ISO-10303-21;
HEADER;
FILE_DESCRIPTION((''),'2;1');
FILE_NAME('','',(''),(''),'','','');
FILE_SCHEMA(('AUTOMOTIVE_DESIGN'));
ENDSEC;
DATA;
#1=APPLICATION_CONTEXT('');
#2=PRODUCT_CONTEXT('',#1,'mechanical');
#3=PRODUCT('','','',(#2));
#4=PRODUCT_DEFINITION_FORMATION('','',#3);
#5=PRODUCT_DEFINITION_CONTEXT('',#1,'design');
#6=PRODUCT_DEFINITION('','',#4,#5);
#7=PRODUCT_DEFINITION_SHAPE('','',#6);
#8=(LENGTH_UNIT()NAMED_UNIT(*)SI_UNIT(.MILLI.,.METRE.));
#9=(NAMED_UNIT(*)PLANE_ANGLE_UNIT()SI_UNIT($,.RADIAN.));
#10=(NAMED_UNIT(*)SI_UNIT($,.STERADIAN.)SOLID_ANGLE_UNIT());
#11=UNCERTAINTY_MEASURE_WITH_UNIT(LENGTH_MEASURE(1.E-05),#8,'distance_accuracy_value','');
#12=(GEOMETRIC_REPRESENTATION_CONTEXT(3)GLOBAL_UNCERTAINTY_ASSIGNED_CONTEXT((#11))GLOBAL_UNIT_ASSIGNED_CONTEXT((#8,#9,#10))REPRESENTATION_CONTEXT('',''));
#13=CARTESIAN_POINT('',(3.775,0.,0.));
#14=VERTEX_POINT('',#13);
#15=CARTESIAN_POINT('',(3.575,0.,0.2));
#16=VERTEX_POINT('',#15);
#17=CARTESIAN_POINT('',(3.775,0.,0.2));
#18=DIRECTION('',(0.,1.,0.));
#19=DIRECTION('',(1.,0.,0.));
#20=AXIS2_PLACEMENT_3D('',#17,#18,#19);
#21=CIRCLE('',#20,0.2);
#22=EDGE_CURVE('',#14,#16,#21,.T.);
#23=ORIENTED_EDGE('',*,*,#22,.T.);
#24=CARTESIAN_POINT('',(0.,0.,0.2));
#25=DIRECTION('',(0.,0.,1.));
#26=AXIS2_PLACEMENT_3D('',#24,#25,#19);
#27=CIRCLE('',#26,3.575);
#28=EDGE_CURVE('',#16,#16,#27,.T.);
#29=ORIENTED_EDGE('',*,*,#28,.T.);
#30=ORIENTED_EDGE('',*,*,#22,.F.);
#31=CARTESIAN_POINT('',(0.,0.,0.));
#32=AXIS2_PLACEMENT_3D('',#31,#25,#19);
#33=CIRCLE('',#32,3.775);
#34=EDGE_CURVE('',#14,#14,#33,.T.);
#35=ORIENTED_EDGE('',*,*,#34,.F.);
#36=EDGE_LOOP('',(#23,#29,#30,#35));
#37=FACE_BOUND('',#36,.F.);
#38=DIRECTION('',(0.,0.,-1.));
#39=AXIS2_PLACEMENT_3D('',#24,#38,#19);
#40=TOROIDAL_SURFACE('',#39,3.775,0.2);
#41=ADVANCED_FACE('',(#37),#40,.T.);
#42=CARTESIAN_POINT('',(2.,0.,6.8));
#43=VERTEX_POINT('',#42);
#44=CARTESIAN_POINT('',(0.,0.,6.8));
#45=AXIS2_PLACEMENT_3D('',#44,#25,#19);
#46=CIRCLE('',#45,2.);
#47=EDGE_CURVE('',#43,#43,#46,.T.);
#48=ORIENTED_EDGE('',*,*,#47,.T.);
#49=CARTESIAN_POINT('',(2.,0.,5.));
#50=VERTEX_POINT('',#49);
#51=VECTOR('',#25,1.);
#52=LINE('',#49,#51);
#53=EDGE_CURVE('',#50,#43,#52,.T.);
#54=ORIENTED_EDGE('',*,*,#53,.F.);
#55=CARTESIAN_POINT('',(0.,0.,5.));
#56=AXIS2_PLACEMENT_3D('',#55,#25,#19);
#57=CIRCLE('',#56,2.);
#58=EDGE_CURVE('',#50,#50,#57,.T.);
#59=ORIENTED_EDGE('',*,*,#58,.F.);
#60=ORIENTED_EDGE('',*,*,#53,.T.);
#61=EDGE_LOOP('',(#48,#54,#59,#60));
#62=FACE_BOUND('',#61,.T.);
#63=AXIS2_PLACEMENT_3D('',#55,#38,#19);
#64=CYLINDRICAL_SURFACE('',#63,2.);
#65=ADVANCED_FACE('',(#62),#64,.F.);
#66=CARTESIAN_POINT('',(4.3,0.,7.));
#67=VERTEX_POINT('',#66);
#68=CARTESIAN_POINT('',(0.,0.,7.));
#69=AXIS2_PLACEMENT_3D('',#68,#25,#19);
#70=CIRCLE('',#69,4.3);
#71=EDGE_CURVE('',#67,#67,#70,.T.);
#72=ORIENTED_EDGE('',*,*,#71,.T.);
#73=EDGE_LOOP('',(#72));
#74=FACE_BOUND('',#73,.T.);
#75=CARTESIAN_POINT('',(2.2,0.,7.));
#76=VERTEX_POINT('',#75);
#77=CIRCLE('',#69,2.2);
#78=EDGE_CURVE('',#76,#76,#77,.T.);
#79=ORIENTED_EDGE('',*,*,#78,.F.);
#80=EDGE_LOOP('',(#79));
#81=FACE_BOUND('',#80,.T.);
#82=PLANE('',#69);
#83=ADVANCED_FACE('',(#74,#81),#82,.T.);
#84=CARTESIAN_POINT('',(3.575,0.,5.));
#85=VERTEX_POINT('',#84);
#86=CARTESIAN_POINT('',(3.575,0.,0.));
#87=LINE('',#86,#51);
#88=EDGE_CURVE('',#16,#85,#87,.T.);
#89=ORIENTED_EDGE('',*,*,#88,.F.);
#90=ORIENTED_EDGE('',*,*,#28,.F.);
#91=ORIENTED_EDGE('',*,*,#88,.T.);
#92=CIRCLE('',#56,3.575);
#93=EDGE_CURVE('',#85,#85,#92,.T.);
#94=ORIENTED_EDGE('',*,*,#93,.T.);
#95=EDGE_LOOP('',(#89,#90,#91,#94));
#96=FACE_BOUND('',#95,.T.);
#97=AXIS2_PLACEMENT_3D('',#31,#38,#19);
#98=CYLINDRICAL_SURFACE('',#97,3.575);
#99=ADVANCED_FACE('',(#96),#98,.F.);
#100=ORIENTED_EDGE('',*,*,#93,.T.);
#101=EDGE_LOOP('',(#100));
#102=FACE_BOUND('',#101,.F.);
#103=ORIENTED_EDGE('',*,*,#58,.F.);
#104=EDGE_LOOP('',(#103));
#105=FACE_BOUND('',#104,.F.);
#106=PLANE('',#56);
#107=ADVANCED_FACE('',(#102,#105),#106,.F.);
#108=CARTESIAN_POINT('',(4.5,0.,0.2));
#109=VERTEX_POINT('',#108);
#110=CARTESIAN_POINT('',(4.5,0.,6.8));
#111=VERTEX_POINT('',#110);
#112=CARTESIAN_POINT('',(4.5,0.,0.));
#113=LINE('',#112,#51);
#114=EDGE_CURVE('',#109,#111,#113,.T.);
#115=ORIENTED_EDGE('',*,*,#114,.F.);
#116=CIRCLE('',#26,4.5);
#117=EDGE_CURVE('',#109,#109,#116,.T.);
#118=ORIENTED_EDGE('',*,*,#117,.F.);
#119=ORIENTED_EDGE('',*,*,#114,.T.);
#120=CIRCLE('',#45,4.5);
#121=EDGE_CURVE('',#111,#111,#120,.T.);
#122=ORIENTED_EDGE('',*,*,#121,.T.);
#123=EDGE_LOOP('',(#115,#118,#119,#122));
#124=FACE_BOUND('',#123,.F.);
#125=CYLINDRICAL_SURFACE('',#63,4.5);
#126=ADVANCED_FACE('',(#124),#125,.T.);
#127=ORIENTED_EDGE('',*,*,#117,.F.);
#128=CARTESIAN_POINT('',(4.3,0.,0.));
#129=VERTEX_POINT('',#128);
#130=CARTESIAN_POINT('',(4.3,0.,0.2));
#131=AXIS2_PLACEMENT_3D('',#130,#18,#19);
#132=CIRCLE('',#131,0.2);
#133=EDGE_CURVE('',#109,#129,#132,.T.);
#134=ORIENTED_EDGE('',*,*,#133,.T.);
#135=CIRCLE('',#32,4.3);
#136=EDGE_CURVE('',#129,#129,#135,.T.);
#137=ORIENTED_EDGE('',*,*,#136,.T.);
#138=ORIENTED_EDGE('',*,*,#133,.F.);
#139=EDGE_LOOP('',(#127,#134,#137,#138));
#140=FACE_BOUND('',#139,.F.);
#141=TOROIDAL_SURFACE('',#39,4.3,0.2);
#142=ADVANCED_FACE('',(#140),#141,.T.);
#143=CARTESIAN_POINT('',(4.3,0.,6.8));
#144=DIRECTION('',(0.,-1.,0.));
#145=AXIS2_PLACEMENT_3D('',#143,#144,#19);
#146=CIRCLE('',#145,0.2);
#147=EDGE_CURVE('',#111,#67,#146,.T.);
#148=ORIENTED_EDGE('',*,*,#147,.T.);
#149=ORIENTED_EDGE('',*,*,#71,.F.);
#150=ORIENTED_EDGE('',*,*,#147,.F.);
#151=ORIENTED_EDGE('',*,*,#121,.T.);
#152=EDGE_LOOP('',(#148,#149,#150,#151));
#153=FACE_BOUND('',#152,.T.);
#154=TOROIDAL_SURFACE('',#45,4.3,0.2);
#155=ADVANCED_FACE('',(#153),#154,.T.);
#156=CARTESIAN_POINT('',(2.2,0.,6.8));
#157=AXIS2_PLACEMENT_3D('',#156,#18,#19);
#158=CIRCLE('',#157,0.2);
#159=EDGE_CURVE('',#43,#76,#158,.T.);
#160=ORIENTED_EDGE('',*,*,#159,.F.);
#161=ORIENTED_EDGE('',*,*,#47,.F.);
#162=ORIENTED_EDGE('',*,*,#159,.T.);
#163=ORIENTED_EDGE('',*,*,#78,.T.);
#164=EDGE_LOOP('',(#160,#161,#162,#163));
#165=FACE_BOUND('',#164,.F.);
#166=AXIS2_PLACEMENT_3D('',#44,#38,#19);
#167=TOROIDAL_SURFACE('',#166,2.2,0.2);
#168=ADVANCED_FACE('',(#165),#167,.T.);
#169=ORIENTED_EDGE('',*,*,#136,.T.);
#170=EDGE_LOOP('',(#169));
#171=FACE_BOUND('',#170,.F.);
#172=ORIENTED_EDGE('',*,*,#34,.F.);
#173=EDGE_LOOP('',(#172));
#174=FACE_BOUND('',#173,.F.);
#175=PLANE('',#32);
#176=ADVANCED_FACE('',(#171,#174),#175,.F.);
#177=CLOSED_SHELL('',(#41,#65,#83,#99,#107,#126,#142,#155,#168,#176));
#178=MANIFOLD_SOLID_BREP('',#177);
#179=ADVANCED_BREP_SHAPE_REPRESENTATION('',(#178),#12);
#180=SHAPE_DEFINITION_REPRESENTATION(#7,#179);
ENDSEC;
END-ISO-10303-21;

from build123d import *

# Parameters (mm, degrees)
F0_R     = 4.5
F0_R_2   = 3.575
F1_DEPTH = 5
F4_R     = 4.5
F4_R_2   = 2
F5_DEPTH = 2
F6_R     = 0.2


with BuildPart() as f1:
    # F0 (on Top) → F1 (new body)
    with BuildSketch(Plane.XY):
        Circle(F0_R)
        Circle(F0_R_2, mode=Mode.SUBTRACT)
    extrude(amount=F1_DEPTH)

    # F2 (on Front) → F3 (revolve, cut)
    with BuildSketch(Plane.XZ):
        with BuildLine():
            Line((0, 12), (0, 22))
            ThreePointArc((0, 22), (-5, 17), (0, 12))
        make_face()
    revolve(axis=Axis((0, 0, 14.014009), (0, 0, 1)), mode=Mode.SUBTRACT)

    # F4 (on face) → F5 (join)
    with BuildSketch(Plane.XY.offset(5)):
        Circle(F4_R)
        Circle(F4_R_2, mode=Mode.SUBTRACT)
    extrude(amount=F5_DEPTH)

    # F6
    f6_edges = [f1.edges().sort_by_distance(p)[0] for p in [
        (-4.5, 0, 0),
        (4.5, 0, 3.5),
        (-4.5, 0, 7),
        (-2, 0, 7),
        (-3.575, 0, 0),
    ]]
    fillet(f6_edges, radius=F6_R)


solid = f1.part
